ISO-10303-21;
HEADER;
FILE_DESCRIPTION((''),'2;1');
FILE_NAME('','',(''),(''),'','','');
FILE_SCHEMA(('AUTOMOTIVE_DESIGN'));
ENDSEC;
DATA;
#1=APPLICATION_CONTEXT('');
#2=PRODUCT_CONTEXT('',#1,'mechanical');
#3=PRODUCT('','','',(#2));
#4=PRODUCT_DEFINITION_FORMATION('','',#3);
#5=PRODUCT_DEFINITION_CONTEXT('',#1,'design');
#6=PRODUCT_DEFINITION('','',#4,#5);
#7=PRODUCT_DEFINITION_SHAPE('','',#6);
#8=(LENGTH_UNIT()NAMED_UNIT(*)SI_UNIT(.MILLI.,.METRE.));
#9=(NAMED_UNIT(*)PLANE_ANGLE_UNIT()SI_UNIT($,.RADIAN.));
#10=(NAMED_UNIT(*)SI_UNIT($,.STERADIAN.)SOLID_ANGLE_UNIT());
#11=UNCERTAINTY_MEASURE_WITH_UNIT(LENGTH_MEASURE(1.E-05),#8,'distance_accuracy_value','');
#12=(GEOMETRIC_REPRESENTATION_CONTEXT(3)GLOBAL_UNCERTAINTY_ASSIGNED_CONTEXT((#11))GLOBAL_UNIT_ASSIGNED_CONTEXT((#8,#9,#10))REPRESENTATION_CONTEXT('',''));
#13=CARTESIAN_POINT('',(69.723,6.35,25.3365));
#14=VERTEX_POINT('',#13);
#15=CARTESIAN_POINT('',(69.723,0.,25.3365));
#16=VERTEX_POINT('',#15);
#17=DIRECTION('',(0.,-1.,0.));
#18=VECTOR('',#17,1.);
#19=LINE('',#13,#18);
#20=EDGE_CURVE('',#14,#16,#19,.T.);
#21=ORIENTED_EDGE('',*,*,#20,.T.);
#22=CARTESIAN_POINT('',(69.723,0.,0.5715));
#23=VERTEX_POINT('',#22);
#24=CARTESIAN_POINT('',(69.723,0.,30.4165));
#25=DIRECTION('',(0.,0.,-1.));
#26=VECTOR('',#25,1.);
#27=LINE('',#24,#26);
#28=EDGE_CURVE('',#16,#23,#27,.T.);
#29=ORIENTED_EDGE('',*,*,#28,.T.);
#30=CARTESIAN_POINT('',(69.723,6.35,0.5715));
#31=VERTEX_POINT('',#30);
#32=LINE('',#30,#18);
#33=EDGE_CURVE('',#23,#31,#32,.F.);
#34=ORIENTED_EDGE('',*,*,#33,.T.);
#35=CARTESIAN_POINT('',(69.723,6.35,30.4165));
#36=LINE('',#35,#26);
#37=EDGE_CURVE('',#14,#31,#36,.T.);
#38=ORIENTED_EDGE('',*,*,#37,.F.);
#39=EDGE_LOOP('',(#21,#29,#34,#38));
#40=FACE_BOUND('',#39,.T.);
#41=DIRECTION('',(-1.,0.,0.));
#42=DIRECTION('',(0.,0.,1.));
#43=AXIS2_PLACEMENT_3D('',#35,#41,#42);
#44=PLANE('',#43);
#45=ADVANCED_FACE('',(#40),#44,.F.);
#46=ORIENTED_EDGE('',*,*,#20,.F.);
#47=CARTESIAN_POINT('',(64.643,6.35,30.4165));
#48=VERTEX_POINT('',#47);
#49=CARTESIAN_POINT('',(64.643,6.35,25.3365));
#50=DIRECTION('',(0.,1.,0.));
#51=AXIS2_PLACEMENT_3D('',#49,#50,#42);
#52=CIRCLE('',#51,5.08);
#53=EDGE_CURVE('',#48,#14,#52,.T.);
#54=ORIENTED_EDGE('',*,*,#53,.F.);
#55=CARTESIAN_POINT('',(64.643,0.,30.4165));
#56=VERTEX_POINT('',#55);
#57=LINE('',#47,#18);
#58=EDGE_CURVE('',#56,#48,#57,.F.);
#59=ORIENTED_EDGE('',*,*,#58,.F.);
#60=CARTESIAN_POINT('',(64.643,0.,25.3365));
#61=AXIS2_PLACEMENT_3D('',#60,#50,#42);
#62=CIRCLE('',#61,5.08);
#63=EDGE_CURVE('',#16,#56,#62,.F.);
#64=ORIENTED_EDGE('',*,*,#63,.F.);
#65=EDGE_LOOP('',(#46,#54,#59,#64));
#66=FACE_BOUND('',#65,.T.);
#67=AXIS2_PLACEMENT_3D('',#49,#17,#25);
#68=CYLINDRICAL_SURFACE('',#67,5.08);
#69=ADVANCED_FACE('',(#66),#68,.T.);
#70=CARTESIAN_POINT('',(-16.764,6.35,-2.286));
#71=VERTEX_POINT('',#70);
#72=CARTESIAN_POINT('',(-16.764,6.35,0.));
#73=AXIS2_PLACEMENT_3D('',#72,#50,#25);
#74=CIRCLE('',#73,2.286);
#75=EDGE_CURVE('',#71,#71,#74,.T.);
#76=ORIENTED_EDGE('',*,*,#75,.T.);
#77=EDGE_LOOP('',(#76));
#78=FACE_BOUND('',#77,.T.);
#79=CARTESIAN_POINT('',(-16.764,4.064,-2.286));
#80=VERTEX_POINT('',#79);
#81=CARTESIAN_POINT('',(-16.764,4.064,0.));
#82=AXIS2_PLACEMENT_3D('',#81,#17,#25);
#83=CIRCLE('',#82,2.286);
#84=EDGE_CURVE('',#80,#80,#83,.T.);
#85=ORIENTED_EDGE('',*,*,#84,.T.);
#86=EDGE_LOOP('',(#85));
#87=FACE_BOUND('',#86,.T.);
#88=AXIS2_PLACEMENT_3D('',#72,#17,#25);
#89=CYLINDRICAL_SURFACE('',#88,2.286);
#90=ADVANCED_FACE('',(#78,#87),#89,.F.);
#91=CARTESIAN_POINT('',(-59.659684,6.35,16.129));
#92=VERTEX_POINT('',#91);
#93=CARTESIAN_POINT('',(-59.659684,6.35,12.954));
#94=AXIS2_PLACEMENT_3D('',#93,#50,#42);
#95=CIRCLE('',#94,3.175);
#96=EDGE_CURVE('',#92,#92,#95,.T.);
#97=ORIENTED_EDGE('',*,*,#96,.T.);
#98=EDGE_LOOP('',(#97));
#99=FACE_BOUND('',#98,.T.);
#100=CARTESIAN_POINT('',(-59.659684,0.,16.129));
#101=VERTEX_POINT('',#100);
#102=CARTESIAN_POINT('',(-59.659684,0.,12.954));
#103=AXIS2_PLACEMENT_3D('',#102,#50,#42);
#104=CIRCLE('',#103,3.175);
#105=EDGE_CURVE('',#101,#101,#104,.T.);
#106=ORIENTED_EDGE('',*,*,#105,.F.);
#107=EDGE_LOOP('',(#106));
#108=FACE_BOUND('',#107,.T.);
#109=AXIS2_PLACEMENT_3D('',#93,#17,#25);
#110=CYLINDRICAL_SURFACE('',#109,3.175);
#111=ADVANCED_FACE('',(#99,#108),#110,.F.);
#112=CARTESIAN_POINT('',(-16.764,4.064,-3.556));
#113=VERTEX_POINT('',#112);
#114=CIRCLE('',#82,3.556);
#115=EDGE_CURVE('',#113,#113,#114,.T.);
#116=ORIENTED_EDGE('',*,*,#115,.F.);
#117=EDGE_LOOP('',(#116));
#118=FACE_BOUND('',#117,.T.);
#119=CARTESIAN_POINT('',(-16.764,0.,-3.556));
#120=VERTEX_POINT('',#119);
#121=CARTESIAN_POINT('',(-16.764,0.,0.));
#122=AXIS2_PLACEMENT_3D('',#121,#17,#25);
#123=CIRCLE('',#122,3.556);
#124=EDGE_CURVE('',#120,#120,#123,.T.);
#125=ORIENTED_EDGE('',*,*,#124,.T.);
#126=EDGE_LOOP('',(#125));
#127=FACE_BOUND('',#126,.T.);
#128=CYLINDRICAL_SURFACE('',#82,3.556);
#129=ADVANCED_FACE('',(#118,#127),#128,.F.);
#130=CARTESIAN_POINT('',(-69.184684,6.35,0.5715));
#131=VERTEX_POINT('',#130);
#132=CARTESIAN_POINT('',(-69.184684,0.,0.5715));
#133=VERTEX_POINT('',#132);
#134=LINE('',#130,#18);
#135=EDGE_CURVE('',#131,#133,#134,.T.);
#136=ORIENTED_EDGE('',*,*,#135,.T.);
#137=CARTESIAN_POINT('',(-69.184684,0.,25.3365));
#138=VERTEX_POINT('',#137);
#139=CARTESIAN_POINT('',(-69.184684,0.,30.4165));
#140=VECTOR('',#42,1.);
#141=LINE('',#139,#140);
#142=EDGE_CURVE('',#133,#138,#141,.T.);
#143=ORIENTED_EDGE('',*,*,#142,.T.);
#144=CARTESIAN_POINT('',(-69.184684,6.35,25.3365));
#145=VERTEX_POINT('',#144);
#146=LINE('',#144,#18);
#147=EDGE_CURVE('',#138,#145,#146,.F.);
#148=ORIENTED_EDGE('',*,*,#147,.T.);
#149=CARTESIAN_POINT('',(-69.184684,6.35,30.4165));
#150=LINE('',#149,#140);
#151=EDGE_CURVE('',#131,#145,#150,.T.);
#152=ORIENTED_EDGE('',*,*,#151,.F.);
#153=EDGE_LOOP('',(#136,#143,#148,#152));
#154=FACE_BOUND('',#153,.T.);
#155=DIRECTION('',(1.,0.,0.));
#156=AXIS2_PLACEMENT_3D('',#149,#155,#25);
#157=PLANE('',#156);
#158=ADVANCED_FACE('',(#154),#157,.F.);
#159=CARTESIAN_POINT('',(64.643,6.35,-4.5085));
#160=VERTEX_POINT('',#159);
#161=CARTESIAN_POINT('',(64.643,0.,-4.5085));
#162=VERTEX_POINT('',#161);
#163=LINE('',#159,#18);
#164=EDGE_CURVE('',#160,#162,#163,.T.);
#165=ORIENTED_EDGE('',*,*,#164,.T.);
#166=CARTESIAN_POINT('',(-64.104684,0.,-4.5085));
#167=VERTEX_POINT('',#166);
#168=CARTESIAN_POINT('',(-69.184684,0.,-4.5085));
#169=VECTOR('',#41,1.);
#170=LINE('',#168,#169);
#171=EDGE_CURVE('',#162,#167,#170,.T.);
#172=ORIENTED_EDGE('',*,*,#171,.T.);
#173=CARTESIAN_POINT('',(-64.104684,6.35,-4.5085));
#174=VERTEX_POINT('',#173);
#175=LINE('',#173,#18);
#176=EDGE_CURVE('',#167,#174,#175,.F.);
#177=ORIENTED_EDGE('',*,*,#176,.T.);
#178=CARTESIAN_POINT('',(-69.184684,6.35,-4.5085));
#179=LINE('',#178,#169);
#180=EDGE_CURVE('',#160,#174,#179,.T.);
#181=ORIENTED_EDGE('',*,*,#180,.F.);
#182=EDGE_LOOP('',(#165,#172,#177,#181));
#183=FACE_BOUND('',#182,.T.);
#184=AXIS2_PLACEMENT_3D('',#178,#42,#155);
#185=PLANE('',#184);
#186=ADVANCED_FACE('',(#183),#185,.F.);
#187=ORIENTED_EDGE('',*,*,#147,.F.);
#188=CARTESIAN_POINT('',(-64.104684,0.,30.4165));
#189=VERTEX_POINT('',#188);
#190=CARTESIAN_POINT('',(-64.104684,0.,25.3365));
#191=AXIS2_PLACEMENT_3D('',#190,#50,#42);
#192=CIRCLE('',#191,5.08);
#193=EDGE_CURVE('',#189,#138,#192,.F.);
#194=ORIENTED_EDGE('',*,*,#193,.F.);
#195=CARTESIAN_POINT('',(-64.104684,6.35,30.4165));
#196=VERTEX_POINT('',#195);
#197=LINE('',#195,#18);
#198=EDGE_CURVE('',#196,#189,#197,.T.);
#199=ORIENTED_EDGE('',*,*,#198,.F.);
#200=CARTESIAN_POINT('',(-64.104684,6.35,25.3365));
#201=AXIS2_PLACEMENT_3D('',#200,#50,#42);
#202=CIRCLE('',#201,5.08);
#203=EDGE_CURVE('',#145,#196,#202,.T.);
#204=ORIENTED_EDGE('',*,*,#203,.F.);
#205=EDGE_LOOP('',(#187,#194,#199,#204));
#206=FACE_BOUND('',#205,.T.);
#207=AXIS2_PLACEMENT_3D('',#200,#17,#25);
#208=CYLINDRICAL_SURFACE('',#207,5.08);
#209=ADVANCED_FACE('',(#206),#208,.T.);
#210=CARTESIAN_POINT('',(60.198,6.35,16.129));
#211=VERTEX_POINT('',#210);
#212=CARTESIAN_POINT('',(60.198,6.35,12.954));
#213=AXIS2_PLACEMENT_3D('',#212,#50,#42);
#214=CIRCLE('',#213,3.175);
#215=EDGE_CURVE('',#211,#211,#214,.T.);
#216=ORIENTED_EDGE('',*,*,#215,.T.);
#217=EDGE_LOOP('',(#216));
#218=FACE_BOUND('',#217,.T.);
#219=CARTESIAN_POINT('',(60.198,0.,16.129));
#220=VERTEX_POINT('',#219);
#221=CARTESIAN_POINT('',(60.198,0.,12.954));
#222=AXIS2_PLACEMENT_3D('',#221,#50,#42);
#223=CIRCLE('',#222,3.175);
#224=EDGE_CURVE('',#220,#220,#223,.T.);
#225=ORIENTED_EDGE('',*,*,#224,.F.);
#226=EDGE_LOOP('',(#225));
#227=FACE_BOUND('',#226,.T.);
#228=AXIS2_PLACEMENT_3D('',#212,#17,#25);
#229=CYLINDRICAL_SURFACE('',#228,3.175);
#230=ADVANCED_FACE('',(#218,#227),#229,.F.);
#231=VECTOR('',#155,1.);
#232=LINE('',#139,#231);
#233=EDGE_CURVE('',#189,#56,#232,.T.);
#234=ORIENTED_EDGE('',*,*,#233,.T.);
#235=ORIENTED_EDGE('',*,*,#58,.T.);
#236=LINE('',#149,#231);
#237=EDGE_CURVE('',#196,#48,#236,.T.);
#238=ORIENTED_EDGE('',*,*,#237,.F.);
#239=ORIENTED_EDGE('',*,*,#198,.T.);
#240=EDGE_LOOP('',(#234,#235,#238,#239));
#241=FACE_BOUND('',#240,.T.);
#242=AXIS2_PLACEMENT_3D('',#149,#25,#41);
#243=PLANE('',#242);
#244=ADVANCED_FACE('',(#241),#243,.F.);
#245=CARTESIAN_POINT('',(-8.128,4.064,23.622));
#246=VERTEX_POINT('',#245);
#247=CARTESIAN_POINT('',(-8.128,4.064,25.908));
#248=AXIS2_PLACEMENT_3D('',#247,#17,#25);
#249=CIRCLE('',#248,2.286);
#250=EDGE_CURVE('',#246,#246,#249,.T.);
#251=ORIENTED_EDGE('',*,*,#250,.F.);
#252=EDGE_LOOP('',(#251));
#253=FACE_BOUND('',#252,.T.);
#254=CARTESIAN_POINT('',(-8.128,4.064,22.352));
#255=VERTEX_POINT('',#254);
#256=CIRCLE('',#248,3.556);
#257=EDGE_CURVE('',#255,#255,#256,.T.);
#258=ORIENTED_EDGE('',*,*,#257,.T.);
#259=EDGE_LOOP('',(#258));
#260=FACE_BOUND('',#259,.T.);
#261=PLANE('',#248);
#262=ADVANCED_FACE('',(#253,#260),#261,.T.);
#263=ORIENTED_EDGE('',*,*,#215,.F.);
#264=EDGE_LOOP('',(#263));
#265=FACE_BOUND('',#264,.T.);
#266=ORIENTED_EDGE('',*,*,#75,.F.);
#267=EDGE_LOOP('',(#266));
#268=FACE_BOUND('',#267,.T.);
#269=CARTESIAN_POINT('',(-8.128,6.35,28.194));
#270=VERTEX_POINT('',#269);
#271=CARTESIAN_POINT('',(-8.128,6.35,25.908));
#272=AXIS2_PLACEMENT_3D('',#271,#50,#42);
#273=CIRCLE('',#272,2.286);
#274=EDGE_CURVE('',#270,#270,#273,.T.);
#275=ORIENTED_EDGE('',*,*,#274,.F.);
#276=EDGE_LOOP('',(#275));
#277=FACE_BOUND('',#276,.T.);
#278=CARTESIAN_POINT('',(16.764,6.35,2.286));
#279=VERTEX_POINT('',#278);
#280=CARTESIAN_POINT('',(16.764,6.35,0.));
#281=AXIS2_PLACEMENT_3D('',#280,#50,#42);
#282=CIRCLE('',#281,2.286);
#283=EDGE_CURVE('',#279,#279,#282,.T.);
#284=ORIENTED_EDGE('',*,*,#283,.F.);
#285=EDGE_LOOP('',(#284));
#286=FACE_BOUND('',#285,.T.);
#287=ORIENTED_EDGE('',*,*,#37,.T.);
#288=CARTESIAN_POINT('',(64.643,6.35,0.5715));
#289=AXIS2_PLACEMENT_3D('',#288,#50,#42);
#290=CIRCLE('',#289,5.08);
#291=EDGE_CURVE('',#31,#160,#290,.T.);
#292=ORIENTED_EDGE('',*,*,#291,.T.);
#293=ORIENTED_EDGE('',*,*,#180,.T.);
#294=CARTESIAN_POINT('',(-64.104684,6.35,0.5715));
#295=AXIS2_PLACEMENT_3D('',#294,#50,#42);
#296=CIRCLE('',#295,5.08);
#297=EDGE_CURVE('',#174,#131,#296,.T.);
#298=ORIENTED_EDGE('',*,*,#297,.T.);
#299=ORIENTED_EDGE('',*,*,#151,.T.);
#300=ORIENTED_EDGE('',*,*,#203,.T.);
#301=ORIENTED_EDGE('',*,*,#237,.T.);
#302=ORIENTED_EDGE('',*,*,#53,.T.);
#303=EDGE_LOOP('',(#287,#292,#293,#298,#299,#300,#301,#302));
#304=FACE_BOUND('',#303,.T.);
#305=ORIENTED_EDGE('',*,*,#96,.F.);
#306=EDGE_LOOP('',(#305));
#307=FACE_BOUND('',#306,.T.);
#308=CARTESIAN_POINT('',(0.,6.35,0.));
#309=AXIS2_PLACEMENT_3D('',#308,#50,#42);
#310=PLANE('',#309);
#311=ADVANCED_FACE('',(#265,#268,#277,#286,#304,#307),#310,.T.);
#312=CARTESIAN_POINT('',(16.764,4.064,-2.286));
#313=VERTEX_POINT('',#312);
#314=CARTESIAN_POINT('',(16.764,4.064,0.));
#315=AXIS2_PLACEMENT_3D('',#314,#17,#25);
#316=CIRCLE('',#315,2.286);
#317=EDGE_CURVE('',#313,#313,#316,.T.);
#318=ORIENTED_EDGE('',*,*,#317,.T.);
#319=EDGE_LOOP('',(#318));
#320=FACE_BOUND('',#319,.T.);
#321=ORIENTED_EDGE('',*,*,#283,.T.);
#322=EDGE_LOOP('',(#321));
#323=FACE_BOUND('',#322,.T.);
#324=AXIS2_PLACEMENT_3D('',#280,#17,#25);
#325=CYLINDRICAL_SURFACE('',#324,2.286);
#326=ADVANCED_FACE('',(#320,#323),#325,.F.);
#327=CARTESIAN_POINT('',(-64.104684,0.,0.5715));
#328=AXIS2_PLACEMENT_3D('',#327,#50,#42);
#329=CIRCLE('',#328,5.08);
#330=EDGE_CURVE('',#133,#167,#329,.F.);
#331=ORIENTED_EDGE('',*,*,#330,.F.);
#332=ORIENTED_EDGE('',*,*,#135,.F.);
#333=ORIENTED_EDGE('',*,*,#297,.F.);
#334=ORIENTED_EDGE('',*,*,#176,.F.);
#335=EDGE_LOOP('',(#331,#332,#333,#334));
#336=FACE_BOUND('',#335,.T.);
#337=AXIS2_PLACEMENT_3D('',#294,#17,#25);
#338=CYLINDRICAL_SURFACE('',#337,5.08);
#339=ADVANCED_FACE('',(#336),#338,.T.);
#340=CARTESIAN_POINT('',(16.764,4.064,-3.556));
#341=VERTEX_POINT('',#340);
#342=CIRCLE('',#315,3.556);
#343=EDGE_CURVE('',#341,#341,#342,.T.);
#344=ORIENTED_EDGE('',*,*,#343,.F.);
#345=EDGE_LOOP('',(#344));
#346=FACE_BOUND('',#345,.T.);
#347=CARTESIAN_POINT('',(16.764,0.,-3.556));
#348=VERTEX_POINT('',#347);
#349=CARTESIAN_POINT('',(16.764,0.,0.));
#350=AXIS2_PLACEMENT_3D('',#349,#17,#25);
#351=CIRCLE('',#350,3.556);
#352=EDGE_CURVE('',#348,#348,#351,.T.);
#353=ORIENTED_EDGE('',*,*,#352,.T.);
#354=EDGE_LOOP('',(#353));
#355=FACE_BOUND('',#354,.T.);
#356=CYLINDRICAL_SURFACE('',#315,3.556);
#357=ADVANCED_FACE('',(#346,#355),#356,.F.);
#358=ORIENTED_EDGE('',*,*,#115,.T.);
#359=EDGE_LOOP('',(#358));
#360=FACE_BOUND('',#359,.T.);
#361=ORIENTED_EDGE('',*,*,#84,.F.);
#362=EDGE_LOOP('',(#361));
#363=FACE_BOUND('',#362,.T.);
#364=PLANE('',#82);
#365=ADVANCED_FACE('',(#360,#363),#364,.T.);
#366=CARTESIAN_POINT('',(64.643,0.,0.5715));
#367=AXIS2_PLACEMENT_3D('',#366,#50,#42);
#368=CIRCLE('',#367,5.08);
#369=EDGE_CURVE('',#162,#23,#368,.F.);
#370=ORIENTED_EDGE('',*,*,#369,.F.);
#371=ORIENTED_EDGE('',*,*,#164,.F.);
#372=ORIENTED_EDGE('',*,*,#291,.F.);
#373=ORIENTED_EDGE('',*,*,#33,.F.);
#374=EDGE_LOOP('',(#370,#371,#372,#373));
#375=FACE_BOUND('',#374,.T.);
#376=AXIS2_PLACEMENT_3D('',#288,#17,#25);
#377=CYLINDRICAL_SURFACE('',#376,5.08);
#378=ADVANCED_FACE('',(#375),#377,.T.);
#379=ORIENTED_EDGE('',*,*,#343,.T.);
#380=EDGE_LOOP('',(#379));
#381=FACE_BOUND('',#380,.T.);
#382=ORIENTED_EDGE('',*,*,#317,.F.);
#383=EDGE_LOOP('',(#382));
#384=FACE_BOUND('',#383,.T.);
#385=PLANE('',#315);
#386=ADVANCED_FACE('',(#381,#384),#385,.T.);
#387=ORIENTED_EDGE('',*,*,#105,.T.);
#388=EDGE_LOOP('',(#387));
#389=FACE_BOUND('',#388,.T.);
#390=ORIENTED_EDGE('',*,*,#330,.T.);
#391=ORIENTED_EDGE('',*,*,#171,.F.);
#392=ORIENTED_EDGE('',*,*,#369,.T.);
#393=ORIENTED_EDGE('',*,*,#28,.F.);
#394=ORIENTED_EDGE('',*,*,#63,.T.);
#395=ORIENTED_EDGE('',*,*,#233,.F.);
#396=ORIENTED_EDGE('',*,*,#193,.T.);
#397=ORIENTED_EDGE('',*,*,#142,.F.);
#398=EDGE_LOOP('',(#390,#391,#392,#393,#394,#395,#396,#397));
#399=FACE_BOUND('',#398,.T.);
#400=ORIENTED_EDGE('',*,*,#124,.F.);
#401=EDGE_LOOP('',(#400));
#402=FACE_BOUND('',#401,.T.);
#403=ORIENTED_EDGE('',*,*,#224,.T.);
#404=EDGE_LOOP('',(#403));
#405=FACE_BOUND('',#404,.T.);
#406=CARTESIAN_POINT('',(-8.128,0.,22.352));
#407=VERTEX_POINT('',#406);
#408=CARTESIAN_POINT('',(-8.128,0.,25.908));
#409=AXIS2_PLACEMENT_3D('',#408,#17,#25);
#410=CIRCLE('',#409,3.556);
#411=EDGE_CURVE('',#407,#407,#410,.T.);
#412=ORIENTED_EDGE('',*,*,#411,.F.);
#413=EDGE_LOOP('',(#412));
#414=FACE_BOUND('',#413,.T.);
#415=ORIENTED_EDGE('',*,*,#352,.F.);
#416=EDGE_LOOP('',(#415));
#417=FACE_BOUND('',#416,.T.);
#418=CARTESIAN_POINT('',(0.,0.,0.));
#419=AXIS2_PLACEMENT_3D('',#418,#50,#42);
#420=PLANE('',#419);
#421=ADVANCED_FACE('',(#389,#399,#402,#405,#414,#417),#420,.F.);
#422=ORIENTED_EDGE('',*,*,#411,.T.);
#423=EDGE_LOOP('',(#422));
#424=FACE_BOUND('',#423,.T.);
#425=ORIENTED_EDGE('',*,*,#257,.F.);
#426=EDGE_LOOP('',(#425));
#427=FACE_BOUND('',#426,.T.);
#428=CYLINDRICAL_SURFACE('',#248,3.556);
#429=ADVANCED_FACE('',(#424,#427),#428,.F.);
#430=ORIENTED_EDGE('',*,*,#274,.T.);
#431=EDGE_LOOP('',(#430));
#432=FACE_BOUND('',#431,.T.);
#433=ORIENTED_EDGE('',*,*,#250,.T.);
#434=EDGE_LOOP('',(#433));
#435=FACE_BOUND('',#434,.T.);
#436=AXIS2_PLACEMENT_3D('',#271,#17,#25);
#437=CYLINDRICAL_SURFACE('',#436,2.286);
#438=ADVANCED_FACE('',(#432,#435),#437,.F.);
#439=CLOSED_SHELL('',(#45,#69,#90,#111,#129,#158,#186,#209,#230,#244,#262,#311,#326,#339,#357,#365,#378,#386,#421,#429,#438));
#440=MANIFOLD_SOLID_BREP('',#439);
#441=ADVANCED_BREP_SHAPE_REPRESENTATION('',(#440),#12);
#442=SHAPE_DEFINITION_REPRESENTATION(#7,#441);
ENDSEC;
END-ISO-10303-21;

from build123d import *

# Parameters (mm, degrees)
SKETCH1_W           = 138.907683808
SKETCH1_H           = 34.925
SKETCH1_R           = 2.286
SKETCH1_R_2         = 3.175
BOSS_EXTRUDE1_DEPTH = 6.35
SKETCH2_R           = 3.556
CUT_EXTRUDE1_DEPTH  = 4.064
FILLET1_R           = 5.08


with BuildPart() as part:
    # Sketch1 → Boss-Extrude1 (new body)
    with BuildSketch(Plane(origin=(0, 0, 0), x_dir=(1, 0, 0), z_dir=(0, 1, 0))):
        with Locations((0.269158096, -12.954)):
            Rectangle(SKETCH1_W, SKETCH1_H)
        with Locations((16.764, 0)):
            Circle(SKETCH1_R, mode=Mode.SUBTRACT)
        with Locations((-16.764, 0)):
            Circle(SKETCH1_R, mode=Mode.SUBTRACT)
        with Locations((-8.128, -25.908)):
            Circle(SKETCH1_R, mode=Mode.SUBTRACT)
        with Locations((60.198, -12.954)):
            Circle(SKETCH1_R_2, mode=Mode.SUBTRACT)
        with Locations((-59.659683808, -12.954)):
            Circle(SKETCH1_R_2, mode=Mode.SUBTRACT)
    extrude(amount=BOSS_EXTRUDE1_DEPTH)

    # Sketch2 → Cut-Extrude1 (cut)
    with BuildSketch(Plane.XZ):
        with Locations((-8.128, 25.908)):
            Circle(SKETCH2_R)
        with Locations((-16.764, 0)):
            Circle(SKETCH2_R)
        with Locations((16.764, 0)):
            Circle(SKETCH2_R)
    extrude(amount=-CUT_EXTRUDE1_DEPTH, mode=Mode.SUBTRACT)

    # Fillet1
    fillet1_edges = [part.edges().sort_by_distance(p)[0] for p in [
        (-69.184683808, 3.175, 30.4165),
        (-69.184683808, 3.175, -4.5085),
        (69.723, 3.175, -4.5085),
        (69.723, 3.175, 30.4165),
    ]]
    fillet(fillet1_edges, radius=FILLET1_R)


solid = part.part
